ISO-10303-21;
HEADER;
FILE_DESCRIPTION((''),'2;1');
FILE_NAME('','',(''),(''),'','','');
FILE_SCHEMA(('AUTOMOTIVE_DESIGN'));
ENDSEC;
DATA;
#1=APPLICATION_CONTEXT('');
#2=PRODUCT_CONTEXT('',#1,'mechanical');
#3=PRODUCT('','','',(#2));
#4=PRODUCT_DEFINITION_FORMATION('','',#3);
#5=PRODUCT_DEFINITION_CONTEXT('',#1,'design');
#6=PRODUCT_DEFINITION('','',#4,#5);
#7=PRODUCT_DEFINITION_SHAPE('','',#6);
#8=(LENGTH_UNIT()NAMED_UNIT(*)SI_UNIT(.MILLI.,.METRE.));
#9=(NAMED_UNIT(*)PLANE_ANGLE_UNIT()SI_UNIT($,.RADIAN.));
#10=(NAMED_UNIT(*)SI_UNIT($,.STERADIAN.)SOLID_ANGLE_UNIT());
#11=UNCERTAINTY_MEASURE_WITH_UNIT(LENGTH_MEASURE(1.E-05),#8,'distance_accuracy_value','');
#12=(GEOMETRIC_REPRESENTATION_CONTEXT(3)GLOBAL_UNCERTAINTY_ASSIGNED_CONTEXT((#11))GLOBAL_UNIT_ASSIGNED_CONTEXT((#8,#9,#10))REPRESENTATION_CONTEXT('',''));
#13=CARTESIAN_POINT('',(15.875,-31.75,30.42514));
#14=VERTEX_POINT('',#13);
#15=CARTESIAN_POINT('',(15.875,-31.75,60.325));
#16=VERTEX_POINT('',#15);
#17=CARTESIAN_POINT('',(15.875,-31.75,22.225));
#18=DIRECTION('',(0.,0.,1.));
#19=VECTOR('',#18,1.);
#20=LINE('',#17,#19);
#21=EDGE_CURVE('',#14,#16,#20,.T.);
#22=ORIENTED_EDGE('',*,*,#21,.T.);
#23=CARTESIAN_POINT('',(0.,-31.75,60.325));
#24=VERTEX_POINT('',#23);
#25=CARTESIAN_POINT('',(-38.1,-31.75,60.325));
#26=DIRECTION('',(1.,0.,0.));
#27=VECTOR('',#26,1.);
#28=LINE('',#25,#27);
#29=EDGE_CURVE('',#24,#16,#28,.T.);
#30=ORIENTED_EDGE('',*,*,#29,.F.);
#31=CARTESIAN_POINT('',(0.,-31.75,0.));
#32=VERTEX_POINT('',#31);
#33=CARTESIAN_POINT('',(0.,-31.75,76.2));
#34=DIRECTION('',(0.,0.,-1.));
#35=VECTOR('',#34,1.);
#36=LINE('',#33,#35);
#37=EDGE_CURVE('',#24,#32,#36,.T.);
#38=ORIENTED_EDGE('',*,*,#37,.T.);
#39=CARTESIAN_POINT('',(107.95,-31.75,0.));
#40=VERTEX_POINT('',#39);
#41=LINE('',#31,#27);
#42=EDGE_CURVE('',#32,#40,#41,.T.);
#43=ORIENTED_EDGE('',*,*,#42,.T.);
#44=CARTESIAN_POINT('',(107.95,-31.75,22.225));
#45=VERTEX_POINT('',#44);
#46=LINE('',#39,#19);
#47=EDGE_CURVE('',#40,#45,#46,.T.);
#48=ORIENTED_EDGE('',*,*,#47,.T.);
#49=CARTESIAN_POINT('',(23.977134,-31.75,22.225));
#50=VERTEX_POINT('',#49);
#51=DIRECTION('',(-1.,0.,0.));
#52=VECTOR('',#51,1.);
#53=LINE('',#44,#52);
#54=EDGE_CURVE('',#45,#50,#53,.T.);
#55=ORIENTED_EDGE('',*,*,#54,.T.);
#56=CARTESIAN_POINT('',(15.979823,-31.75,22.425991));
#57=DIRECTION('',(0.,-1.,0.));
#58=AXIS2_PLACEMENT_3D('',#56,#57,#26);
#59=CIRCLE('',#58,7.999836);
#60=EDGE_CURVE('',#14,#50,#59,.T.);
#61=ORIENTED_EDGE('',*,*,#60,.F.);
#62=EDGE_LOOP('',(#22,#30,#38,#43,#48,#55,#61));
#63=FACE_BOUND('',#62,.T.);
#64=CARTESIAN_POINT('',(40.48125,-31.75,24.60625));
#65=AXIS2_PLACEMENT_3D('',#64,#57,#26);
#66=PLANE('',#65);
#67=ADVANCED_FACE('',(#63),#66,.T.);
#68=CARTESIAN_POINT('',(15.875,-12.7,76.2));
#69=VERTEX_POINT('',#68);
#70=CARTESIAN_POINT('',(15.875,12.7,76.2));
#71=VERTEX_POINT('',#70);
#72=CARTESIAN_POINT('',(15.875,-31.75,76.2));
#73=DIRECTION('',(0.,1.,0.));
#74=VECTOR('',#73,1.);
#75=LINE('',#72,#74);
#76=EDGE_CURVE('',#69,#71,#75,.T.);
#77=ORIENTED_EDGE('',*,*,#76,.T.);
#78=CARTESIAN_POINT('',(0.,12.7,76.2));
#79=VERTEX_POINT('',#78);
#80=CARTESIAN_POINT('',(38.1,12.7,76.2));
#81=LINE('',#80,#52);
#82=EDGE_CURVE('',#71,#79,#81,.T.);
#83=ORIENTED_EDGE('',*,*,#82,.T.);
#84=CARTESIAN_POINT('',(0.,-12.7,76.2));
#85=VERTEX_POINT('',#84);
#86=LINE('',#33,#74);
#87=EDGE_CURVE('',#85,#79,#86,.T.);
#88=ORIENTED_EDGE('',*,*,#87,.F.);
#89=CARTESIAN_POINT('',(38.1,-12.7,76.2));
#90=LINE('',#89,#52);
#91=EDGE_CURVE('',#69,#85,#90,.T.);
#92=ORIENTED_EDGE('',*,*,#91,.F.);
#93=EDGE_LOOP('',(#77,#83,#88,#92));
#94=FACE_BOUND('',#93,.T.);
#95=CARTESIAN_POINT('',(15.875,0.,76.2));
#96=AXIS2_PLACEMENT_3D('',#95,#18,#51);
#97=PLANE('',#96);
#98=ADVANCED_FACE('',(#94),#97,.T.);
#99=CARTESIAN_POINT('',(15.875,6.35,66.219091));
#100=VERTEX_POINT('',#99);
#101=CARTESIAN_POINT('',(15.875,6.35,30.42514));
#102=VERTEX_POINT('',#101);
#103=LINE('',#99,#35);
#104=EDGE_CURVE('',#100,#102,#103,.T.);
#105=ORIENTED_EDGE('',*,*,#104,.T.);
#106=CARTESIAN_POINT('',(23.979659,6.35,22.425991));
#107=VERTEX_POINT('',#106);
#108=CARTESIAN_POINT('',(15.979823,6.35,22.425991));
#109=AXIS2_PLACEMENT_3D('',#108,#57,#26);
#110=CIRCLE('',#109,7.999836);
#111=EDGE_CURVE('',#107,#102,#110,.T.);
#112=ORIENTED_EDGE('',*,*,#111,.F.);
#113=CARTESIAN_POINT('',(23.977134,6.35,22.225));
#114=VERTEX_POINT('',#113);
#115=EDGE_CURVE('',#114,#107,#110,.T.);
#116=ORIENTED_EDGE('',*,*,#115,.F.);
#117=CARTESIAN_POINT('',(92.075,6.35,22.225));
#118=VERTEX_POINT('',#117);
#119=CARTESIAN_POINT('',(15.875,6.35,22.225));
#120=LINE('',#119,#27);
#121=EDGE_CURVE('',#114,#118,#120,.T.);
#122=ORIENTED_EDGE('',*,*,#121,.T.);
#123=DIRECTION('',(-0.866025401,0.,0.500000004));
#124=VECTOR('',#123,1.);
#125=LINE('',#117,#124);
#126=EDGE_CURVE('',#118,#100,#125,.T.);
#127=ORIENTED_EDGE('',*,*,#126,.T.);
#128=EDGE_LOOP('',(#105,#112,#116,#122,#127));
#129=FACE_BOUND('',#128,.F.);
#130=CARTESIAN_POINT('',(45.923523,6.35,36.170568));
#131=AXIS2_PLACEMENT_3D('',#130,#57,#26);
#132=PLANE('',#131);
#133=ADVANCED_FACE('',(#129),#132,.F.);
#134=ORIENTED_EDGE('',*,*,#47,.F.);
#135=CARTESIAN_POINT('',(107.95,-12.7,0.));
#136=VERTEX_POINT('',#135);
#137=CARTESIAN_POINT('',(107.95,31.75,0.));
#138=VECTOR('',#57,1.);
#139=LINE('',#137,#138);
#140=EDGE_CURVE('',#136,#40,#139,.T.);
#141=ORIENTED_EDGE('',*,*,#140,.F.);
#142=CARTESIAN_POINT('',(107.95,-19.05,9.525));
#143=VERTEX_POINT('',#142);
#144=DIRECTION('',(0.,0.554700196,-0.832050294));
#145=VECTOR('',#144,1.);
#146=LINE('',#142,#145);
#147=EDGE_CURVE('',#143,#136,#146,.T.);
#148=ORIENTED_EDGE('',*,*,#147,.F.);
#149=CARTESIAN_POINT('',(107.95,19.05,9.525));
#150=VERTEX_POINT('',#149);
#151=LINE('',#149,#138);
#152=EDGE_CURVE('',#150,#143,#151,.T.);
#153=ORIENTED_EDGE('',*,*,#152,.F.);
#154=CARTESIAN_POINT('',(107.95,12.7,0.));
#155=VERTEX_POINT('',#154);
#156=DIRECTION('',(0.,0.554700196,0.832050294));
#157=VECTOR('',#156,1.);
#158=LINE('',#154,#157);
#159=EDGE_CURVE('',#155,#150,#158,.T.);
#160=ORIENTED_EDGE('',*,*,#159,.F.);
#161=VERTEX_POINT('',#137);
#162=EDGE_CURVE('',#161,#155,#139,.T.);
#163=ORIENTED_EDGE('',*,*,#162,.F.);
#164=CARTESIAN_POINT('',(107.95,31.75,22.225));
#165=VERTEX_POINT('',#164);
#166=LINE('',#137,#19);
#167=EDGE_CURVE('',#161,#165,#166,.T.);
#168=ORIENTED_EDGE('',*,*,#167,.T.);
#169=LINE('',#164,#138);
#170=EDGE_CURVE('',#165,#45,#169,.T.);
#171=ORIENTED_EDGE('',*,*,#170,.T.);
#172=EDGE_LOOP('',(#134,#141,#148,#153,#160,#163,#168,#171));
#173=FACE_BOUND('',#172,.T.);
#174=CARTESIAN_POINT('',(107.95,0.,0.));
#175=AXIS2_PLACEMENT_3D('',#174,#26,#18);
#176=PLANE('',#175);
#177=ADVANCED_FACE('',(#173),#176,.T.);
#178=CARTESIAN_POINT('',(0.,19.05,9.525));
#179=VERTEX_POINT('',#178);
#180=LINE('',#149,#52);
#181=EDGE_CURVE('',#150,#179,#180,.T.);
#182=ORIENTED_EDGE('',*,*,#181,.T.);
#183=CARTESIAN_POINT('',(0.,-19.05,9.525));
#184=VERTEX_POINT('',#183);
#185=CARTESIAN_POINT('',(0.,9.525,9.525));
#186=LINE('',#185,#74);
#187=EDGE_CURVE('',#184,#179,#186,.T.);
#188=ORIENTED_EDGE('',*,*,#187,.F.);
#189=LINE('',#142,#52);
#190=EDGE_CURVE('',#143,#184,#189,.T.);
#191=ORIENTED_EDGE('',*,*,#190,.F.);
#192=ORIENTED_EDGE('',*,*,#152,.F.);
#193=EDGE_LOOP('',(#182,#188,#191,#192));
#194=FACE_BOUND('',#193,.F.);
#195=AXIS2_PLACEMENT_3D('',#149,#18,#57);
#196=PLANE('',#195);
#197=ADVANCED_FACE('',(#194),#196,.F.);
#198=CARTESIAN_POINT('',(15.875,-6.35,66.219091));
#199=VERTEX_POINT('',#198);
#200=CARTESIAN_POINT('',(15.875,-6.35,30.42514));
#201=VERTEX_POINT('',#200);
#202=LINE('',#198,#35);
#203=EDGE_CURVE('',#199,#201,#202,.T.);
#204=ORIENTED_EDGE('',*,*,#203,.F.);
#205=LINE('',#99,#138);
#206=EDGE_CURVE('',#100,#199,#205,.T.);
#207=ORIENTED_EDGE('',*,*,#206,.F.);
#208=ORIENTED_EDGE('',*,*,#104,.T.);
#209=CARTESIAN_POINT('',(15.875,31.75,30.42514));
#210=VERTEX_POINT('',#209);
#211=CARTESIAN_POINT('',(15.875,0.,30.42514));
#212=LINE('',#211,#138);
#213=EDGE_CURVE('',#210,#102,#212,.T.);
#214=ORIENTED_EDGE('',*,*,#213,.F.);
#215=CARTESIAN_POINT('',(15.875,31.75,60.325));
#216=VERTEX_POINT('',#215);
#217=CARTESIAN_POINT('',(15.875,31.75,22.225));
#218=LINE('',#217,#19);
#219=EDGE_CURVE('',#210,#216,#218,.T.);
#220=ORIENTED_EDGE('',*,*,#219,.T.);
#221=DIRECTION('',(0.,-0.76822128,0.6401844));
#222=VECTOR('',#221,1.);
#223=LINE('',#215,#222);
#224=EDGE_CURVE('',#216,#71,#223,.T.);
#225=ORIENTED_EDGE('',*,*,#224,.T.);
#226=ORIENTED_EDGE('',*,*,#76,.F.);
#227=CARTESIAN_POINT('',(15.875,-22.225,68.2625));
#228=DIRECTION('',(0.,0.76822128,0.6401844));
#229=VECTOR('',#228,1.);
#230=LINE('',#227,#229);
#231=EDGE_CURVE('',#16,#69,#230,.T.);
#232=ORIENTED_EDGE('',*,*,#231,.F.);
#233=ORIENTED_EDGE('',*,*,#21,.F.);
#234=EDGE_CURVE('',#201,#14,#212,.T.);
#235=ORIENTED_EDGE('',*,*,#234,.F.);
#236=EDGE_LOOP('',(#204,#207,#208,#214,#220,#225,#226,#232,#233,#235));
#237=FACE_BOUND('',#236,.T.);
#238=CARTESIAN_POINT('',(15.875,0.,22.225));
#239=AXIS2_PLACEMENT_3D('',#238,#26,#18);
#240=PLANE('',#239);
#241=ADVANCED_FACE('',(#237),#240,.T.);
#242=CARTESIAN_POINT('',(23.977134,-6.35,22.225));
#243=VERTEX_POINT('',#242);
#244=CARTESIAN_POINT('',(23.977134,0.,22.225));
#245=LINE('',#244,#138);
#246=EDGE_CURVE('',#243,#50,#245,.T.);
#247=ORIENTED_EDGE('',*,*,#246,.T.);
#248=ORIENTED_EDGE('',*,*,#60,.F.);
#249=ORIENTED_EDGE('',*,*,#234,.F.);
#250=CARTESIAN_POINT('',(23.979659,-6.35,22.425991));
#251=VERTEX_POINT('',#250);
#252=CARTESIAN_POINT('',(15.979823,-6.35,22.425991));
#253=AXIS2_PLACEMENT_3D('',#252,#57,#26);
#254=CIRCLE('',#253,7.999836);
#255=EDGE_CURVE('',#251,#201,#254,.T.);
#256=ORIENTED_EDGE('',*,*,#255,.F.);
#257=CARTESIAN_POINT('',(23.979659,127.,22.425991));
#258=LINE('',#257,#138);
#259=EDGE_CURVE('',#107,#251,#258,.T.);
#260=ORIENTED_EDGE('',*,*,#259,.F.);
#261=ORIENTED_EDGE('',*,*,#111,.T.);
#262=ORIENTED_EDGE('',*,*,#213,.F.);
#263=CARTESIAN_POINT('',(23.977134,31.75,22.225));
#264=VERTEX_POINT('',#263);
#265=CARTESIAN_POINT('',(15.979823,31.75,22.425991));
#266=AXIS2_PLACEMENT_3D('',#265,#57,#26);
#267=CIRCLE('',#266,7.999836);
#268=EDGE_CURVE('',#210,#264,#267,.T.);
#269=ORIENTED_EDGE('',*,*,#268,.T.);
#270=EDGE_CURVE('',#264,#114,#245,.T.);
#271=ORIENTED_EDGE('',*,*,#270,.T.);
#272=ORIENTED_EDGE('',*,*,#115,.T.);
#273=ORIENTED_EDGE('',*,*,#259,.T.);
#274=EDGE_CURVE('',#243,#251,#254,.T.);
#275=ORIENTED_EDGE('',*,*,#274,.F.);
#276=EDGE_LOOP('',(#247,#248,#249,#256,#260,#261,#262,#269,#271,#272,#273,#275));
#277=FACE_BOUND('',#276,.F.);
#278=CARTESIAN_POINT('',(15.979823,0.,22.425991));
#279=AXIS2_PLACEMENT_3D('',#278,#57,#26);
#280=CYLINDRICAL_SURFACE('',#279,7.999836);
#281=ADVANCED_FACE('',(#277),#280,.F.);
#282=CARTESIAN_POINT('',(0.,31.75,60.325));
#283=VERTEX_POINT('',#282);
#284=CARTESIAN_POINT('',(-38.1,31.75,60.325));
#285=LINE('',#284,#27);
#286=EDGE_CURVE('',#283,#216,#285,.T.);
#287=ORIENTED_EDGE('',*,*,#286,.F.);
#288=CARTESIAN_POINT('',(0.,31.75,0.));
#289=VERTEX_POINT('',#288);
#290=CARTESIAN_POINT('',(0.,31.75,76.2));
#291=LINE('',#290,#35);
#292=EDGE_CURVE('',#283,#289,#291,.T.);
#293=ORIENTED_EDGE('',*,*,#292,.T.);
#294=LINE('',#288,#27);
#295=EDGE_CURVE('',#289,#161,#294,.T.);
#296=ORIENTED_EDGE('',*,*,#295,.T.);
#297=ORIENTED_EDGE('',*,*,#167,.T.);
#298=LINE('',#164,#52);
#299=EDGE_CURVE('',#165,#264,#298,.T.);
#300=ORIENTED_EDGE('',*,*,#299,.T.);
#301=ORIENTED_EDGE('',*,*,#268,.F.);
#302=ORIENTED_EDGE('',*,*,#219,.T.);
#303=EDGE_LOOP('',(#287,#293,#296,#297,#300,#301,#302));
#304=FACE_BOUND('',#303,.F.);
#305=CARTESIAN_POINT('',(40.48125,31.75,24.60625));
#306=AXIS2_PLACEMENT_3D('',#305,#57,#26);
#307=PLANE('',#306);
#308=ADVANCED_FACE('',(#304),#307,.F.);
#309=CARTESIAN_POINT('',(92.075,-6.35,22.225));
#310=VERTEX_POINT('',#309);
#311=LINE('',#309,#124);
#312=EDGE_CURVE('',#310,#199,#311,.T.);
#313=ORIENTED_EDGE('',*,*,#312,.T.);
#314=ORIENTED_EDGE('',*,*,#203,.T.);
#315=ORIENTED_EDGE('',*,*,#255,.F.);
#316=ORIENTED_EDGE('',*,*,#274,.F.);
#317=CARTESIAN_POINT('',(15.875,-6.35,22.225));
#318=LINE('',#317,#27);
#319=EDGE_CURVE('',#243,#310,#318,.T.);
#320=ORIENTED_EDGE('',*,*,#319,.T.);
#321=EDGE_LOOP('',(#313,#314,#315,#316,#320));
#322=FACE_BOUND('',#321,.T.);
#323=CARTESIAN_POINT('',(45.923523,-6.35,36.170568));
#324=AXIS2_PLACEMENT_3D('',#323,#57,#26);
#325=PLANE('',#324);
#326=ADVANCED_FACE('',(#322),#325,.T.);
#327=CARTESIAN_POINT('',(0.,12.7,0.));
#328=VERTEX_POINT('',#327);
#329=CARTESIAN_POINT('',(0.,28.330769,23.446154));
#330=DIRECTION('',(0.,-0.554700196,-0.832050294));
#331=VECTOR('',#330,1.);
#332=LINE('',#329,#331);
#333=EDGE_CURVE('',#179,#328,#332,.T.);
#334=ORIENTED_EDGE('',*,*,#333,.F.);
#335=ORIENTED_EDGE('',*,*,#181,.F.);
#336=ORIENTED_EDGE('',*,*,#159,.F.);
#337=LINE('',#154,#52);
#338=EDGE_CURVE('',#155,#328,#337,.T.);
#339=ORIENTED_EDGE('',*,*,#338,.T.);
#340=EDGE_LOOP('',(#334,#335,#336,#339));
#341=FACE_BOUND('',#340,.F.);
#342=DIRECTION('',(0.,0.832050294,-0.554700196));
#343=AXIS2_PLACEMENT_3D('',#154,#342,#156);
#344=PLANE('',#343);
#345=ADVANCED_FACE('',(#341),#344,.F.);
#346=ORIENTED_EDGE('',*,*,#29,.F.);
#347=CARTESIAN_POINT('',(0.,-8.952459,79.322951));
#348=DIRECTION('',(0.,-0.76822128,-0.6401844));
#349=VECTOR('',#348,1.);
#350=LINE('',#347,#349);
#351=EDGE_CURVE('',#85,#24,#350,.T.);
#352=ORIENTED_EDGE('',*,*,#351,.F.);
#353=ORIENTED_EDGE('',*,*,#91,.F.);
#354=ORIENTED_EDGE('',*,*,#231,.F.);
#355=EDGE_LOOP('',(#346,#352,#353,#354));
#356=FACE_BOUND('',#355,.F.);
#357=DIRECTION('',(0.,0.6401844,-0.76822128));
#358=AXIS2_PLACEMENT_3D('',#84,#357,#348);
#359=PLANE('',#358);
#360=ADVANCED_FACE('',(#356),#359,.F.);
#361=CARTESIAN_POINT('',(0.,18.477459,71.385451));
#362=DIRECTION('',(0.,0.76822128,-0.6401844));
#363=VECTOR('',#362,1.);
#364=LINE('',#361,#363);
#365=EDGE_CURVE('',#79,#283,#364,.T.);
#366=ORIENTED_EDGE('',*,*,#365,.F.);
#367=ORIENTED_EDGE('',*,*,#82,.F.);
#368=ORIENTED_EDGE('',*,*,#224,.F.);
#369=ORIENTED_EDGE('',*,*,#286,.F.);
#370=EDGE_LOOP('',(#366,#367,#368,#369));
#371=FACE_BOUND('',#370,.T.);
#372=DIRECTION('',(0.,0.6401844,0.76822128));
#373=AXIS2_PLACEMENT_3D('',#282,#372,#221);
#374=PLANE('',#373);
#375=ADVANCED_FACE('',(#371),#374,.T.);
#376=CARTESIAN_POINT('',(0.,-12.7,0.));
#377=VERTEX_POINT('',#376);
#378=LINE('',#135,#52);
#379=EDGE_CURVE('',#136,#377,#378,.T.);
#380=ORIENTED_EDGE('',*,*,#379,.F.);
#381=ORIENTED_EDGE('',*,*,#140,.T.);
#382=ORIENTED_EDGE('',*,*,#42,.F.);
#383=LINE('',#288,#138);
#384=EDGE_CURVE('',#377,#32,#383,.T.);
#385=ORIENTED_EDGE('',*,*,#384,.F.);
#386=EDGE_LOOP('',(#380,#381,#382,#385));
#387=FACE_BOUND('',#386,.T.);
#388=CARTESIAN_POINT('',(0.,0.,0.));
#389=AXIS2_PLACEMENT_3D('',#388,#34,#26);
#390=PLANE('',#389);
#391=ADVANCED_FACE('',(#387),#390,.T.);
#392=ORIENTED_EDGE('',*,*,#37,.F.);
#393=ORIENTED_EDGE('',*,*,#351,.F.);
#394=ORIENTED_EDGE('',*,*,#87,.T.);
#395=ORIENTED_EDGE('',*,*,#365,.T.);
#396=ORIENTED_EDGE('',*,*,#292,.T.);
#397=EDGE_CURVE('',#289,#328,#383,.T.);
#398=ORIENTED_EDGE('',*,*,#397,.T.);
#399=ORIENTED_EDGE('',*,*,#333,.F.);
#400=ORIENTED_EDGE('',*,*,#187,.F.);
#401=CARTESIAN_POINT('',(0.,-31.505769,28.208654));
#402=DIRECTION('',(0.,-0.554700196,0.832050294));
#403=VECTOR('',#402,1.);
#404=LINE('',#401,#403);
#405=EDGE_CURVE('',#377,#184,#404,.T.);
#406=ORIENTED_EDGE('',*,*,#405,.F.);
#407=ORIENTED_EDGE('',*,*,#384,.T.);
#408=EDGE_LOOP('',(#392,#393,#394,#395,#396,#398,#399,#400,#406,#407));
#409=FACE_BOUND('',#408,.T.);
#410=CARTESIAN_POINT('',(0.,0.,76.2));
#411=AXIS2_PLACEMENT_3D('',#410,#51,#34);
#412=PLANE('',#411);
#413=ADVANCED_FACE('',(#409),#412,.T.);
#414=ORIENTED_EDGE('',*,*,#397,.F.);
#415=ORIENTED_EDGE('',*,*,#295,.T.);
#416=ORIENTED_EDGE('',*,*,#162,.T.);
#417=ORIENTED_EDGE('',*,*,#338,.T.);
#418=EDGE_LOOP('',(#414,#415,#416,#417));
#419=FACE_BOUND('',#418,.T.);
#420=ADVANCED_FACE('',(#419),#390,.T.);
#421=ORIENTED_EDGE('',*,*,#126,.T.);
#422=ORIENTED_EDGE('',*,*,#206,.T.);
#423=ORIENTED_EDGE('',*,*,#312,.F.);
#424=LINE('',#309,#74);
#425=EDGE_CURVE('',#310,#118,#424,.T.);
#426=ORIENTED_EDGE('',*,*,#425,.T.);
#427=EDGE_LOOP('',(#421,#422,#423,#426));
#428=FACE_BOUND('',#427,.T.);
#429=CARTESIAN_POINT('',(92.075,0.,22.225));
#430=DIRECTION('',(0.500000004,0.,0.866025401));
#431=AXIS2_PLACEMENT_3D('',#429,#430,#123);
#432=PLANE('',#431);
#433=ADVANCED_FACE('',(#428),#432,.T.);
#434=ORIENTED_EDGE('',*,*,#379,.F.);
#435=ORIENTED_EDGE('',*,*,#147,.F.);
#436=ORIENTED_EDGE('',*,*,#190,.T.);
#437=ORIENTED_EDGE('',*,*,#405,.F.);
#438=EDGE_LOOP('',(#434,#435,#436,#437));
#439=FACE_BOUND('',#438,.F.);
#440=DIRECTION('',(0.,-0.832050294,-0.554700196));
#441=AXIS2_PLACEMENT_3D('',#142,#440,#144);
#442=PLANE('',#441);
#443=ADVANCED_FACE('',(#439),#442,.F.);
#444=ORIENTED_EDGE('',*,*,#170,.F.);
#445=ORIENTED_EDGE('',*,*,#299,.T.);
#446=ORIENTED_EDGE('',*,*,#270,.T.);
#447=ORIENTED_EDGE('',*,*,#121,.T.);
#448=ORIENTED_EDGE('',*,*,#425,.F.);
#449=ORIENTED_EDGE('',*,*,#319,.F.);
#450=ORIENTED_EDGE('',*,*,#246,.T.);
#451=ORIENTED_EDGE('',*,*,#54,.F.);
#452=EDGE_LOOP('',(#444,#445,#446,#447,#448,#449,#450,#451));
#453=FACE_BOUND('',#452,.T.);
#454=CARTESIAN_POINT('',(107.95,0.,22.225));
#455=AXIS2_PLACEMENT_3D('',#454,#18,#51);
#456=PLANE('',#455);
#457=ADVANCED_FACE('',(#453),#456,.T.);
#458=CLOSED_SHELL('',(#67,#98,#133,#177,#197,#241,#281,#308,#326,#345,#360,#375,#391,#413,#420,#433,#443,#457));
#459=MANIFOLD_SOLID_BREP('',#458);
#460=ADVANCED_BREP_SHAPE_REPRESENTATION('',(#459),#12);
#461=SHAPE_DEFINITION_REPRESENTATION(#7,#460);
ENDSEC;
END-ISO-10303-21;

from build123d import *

# Parameters (mm, degrees)
F1_DEPTH  = 31.75
F3_DEPTH  = 107.951
F5_DEPTH  = 6.35
F7_DEPTH  = 38.1
F8_DEPTH  = 25.4
F9_R      = 7.999836
F10_DEPTH = 127


with BuildPart() as f1:
    # F0 (on Front) → F1 (new body, symmetric)
    with BuildSketch(Plane.XZ):
        Polygon((0, 76.2), (0, 0), (107.95, 0), (107.95, 22.225), (15.875, 22.225), (15.875, 76.2), align=None)
    extrude(amount=F1_DEPTH, both=True)

    # F2 (on face) → F3 (cut, through all)
    with BuildSketch(Plane.YZ.offset(107.95)):
        Polygon((-12.7, 0), (12.7, 0), (19.05, 9.525), (-19.05, 9.525), align=None)
    extrude(amount=-F3_DEPTH, mode=Mode.SUBTRACT)

    # F4 (on Front) → F5 (join, symmetric)
    with BuildSketch(Plane.XZ):
        Polygon((92.075, 22.225), (15.875, 66.219091), (15.875, 22.225), align=None)
    extrude(amount=F5_DEPTH, both=True)

    # F6 (on face) → F7 (cut, symmetric)
    with BuildSketch(Plane(origin=(0, 0, 0), x_dir=(0, -1, 0), z_dir=(-1, 0, 0))):
        Polygon((-31.75, 60.325), (-12.7, 76.2), (-31.75, 76.2), align=None)
        Polygon((31.75, 76.2), (12.7, 76.2), (31.75, 60.325), align=None)
    extrude(amount=F7_DEPTH, both=True, mode=Mode.SUBTRACT)

    # F6 (on face) → F8 (cut)
    with BuildSketch(Plane(origin=(0, 0, 0), x_dir=(0, -1, 0), z_dir=(-1, 0, 0))):
        Polygon((-31.75, 60.325), (-12.7, 76.2), (-31.75, 76.2), align=None)
        Polygon((31.75, 76.2), (12.7, 76.2), (31.75, 60.325), align=None)
    extrude(amount=-F8_DEPTH, mode=Mode.SUBTRACT)

    # F9 (on Front) → F10 (cut, symmetric)
    with BuildSketch(Plane.XZ):
        with Locations((15.979823, 22.425991)):
            Circle(F9_R)
    extrude(amount=F10_DEPTH, both=True, mode=Mode.SUBTRACT)


solid = f1.part
